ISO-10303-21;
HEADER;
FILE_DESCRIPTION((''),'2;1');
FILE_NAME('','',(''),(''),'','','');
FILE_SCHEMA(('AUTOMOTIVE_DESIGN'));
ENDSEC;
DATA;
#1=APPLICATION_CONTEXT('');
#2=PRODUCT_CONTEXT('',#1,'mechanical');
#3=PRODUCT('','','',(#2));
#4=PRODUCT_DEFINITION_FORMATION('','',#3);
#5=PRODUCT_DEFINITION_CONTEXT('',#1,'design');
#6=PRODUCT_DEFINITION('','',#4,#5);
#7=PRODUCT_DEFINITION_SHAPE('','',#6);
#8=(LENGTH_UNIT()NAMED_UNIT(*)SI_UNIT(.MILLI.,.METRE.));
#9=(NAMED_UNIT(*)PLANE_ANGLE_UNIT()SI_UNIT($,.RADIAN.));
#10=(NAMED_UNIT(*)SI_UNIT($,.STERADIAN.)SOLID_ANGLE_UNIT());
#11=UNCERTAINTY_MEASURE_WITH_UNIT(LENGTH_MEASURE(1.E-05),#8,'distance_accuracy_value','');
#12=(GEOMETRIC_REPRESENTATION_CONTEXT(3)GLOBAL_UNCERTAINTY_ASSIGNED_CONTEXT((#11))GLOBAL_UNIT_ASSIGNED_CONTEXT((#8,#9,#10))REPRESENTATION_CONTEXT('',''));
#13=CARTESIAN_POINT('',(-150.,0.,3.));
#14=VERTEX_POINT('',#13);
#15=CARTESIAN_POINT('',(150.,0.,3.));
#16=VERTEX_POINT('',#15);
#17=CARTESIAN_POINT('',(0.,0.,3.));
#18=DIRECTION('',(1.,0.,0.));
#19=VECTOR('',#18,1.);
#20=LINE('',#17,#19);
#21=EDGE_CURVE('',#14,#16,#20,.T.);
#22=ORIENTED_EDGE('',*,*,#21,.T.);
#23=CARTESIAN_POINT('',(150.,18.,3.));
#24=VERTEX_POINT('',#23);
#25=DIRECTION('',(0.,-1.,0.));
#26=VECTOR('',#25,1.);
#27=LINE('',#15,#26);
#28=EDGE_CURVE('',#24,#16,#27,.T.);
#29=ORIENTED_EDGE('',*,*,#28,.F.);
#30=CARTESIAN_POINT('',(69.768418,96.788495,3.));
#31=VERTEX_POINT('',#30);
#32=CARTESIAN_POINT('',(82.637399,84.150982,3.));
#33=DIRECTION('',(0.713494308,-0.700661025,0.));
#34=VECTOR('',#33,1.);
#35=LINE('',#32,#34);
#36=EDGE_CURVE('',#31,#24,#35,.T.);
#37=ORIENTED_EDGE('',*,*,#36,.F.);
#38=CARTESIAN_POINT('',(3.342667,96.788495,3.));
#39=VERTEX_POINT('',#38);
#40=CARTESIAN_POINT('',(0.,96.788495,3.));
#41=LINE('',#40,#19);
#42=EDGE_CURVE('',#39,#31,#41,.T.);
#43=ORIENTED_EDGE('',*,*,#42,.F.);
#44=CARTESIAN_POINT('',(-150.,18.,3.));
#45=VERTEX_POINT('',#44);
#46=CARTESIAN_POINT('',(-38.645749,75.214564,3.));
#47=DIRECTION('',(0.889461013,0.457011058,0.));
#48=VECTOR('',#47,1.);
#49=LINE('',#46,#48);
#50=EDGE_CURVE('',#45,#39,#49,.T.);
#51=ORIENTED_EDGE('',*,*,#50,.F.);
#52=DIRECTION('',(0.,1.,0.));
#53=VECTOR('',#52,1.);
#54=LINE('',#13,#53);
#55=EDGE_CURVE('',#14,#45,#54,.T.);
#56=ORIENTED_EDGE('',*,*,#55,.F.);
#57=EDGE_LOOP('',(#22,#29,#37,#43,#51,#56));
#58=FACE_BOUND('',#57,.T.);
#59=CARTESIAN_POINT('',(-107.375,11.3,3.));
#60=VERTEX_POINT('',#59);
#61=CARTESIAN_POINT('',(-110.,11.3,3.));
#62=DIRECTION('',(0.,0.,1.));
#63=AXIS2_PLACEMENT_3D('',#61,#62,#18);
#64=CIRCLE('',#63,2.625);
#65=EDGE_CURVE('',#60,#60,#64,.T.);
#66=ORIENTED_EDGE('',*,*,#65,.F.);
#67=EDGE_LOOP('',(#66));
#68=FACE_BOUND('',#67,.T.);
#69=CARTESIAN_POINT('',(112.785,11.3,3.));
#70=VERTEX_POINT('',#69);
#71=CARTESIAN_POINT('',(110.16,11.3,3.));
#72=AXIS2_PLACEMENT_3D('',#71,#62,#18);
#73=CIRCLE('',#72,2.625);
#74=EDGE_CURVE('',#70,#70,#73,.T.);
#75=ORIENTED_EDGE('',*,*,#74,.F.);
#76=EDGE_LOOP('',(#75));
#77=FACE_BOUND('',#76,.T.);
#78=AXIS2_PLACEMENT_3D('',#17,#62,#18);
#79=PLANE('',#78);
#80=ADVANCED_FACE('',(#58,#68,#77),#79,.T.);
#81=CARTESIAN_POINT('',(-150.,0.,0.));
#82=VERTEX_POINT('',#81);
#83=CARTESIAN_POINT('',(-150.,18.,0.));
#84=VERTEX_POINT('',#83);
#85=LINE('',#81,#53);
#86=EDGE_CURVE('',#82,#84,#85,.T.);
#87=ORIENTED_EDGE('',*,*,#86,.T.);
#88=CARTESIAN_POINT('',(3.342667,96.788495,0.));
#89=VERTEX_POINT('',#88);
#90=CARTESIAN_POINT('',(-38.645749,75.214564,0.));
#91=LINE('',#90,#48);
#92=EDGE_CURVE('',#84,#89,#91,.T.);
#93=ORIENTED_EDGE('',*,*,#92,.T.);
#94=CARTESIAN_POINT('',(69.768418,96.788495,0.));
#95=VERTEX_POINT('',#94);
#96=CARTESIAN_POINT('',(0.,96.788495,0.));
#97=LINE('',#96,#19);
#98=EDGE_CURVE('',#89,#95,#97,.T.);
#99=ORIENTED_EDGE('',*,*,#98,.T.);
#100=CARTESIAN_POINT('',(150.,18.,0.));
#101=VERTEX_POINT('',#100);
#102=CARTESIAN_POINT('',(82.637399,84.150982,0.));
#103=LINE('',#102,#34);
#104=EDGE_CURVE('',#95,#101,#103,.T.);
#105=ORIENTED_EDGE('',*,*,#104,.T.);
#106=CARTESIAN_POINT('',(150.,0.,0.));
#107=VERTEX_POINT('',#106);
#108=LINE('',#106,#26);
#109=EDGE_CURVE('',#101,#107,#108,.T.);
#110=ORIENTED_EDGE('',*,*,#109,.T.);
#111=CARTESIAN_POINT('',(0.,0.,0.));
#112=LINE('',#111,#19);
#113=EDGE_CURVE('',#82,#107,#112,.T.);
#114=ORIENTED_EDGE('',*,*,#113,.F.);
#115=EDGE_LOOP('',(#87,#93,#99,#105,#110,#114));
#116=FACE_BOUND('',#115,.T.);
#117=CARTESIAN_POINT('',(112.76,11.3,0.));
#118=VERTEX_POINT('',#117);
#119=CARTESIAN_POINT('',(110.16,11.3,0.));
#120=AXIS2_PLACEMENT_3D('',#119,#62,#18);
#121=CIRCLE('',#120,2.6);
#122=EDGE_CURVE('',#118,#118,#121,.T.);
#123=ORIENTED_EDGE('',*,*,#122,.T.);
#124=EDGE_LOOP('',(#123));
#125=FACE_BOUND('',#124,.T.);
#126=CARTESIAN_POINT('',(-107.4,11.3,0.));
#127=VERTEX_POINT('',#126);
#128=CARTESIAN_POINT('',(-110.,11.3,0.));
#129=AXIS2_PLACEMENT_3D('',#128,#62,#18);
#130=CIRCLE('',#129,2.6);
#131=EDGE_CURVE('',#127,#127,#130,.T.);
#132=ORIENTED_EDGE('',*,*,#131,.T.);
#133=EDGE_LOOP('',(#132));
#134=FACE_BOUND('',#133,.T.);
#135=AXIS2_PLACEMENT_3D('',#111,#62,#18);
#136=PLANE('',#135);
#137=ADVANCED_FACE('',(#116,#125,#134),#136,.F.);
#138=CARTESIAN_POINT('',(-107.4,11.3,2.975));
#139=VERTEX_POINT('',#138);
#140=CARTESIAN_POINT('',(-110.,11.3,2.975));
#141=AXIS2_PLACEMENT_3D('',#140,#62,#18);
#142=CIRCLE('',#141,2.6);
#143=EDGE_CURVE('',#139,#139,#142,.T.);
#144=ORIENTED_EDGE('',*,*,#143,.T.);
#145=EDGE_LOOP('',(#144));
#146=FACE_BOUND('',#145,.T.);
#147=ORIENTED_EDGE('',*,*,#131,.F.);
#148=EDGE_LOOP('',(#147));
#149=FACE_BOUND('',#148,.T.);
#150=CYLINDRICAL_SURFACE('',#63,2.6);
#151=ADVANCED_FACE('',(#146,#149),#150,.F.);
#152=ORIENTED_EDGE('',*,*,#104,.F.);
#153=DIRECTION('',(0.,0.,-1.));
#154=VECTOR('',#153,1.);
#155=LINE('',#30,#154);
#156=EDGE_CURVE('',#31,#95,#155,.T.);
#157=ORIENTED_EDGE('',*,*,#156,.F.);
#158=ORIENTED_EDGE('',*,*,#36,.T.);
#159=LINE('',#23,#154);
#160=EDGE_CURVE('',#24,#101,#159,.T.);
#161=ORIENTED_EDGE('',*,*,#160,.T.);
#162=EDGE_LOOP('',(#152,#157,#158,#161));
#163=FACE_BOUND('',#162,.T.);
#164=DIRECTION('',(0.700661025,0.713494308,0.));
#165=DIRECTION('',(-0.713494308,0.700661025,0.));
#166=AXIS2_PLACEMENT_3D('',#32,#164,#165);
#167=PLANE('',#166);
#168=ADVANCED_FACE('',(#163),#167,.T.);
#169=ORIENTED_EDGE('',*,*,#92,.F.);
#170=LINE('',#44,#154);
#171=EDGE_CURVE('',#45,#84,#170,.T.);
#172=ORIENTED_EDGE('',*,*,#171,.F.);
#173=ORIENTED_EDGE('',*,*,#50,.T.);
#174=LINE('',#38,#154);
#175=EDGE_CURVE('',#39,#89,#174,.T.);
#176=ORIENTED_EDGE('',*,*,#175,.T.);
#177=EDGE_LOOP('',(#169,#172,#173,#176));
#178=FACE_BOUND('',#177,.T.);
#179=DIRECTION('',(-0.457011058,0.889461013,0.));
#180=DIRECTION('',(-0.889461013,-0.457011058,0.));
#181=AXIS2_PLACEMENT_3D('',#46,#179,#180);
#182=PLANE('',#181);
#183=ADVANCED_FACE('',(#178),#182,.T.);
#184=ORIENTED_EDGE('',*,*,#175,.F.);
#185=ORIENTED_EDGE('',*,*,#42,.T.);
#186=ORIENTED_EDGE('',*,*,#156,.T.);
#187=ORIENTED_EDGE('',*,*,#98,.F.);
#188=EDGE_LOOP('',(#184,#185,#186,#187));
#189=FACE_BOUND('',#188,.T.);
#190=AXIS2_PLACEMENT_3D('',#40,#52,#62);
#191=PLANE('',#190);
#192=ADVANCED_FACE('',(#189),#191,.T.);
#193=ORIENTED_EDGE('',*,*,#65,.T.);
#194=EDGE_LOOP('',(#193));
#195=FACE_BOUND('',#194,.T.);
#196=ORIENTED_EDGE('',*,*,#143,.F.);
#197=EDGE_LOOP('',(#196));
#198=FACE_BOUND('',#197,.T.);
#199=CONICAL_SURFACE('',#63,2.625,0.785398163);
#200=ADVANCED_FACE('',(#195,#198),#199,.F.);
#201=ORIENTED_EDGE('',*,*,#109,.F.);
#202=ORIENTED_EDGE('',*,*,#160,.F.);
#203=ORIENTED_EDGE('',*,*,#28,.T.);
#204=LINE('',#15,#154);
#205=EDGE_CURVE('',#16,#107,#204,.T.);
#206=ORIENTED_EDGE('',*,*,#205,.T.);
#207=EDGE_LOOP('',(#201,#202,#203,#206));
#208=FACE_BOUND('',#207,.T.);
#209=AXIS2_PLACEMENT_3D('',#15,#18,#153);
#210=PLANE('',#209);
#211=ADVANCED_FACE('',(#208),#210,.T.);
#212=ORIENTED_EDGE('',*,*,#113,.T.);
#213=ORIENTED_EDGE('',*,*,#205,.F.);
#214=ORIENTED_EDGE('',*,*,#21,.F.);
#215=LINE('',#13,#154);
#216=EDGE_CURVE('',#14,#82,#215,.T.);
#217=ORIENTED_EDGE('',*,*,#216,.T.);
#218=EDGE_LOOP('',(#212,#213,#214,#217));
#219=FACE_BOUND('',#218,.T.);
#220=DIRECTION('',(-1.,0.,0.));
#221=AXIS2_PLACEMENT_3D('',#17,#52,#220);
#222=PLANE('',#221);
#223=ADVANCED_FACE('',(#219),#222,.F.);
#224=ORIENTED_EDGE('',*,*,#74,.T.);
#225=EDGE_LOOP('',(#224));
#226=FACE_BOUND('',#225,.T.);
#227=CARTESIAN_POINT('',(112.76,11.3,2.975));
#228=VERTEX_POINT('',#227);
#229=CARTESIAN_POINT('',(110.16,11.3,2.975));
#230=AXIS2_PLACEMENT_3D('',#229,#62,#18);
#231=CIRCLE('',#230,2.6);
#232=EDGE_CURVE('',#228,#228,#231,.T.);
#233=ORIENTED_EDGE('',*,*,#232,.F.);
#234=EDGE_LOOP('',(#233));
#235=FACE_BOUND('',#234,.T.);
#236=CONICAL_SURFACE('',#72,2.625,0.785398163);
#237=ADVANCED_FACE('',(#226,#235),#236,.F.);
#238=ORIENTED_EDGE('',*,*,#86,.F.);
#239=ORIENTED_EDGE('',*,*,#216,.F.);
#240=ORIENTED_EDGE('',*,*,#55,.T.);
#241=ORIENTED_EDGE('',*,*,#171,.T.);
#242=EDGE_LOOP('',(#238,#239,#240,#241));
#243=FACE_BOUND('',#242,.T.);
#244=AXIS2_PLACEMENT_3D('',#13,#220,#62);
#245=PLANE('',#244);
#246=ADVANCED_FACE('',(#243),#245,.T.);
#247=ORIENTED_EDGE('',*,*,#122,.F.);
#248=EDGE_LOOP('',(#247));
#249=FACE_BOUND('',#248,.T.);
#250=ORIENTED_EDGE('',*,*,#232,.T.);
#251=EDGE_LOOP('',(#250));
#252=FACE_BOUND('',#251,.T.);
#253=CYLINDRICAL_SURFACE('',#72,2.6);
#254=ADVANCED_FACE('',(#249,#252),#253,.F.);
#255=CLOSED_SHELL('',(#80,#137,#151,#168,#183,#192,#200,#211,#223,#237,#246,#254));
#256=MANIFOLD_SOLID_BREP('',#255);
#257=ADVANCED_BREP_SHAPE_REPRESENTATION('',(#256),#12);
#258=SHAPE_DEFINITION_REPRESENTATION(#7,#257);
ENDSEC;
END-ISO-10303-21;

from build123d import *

# Parameters (mm, degrees)
Y_KSEKLIK_EKSTR_ZYON1_DEPTH                    = 3
M5_HELISARMAL_I_IN_Z_VANA_MATKAB_3_D           = 5.2
M5_HELISARMAL_I_IN_Z_VANA_MATKAB_3_DEPTH       = 18
M5_HELISARMAL_I_IN_Z_VANA_MATKAB_3_CSINK_D     = 5.25
M5_HELISARMAL_I_IN_Z_VANA_MATKAB_3_CSINK_ANGLE = 90
M5_HELISARMAL_I_IN_Z_VANA_MATKAB_3_TIP         = 1.562237609
M5_HELISARMAL_I_IN_Z_VANA_MATKAB_2_D           = 5.2
M5_HELISARMAL_I_IN_Z_VANA_MATKAB_2_DEPTH       = 18
M5_HELISARMAL_I_IN_Z_VANA_MATKAB_2_CSINK_D     = 5.25
M5_HELISARMAL_I_IN_Z_VANA_MATKAB_2_CSINK_ANGLE = 90
M5_HELISARMAL_I_IN_Z_VANA_MATKAB_2_TIP         = 1.562237609


with BuildPart() as part:
    # Çizim1 → Yükseklik-Ekstrüzyon1 (new body)
    with BuildSketch(Plane.XY):
        Polygon((150, 18), (150, 0), (-150, 0), (-150, 18), (3.342667003, 96.78849493), (69.768417769, 96.78849493), align=None)
    extrude(amount=Y_KSEKLIK_EKSTR_ZYON1_DEPTH)

    # M5 Helisarmal için Zıvana matkabı3
    with Locations(Plane.XY.offset(3)):
        with Locations((-110, 11.3), (110.16, 11.3)):
            CounterSinkHole(M5_HELISARMAL_I_IN_Z_VANA_MATKAB_3_D / 2, M5_HELISARMAL_I_IN_Z_VANA_MATKAB_3_CSINK_D / 2, depth=M5_HELISARMAL_I_IN_Z_VANA_MATKAB_3_DEPTH, counter_sink_angle=M5_HELISARMAL_I_IN_Z_VANA_MATKAB_3_CSINK_ANGLE)
            with Locations((0, 0, -(M5_HELISARMAL_I_IN_Z_VANA_MATKAB_3_DEPTH + M5_HELISARMAL_I_IN_Z_VANA_MATKAB_3_TIP / 2))):  # 118° drill point
                Cone(0, M5_HELISARMAL_I_IN_Z_VANA_MATKAB_3_D / 2, M5_HELISARMAL_I_IN_Z_VANA_MATKAB_3_TIP, mode=Mode.SUBTRACT)

    # M5 Helisarmal için Zıvana matkabı2
    with Locations(Plane.XY.offset(3)):
        with Locations((-110, 11.3), (110.16, 11.3)):
            CounterSinkHole(M5_HELISARMAL_I_IN_Z_VANA_MATKAB_2_D / 2, M5_HELISARMAL_I_IN_Z_VANA_MATKAB_2_CSINK_D / 2, depth=M5_HELISARMAL_I_IN_Z_VANA_MATKAB_2_DEPTH, counter_sink_angle=M5_HELISARMAL_I_IN_Z_VANA_MATKAB_2_CSINK_ANGLE)
            with Locations((0, 0, -(M5_HELISARMAL_I_IN_Z_VANA_MATKAB_2_DEPTH + M5_HELISARMAL_I_IN_Z_VANA_MATKAB_2_TIP / 2))):  # 118° drill point
                Cone(0, M5_HELISARMAL_I_IN_Z_VANA_MATKAB_2_D / 2, M5_HELISARMAL_I_IN_Z_VANA_MATKAB_2_TIP, mode=Mode.SUBTRACT)


solid = part.part
